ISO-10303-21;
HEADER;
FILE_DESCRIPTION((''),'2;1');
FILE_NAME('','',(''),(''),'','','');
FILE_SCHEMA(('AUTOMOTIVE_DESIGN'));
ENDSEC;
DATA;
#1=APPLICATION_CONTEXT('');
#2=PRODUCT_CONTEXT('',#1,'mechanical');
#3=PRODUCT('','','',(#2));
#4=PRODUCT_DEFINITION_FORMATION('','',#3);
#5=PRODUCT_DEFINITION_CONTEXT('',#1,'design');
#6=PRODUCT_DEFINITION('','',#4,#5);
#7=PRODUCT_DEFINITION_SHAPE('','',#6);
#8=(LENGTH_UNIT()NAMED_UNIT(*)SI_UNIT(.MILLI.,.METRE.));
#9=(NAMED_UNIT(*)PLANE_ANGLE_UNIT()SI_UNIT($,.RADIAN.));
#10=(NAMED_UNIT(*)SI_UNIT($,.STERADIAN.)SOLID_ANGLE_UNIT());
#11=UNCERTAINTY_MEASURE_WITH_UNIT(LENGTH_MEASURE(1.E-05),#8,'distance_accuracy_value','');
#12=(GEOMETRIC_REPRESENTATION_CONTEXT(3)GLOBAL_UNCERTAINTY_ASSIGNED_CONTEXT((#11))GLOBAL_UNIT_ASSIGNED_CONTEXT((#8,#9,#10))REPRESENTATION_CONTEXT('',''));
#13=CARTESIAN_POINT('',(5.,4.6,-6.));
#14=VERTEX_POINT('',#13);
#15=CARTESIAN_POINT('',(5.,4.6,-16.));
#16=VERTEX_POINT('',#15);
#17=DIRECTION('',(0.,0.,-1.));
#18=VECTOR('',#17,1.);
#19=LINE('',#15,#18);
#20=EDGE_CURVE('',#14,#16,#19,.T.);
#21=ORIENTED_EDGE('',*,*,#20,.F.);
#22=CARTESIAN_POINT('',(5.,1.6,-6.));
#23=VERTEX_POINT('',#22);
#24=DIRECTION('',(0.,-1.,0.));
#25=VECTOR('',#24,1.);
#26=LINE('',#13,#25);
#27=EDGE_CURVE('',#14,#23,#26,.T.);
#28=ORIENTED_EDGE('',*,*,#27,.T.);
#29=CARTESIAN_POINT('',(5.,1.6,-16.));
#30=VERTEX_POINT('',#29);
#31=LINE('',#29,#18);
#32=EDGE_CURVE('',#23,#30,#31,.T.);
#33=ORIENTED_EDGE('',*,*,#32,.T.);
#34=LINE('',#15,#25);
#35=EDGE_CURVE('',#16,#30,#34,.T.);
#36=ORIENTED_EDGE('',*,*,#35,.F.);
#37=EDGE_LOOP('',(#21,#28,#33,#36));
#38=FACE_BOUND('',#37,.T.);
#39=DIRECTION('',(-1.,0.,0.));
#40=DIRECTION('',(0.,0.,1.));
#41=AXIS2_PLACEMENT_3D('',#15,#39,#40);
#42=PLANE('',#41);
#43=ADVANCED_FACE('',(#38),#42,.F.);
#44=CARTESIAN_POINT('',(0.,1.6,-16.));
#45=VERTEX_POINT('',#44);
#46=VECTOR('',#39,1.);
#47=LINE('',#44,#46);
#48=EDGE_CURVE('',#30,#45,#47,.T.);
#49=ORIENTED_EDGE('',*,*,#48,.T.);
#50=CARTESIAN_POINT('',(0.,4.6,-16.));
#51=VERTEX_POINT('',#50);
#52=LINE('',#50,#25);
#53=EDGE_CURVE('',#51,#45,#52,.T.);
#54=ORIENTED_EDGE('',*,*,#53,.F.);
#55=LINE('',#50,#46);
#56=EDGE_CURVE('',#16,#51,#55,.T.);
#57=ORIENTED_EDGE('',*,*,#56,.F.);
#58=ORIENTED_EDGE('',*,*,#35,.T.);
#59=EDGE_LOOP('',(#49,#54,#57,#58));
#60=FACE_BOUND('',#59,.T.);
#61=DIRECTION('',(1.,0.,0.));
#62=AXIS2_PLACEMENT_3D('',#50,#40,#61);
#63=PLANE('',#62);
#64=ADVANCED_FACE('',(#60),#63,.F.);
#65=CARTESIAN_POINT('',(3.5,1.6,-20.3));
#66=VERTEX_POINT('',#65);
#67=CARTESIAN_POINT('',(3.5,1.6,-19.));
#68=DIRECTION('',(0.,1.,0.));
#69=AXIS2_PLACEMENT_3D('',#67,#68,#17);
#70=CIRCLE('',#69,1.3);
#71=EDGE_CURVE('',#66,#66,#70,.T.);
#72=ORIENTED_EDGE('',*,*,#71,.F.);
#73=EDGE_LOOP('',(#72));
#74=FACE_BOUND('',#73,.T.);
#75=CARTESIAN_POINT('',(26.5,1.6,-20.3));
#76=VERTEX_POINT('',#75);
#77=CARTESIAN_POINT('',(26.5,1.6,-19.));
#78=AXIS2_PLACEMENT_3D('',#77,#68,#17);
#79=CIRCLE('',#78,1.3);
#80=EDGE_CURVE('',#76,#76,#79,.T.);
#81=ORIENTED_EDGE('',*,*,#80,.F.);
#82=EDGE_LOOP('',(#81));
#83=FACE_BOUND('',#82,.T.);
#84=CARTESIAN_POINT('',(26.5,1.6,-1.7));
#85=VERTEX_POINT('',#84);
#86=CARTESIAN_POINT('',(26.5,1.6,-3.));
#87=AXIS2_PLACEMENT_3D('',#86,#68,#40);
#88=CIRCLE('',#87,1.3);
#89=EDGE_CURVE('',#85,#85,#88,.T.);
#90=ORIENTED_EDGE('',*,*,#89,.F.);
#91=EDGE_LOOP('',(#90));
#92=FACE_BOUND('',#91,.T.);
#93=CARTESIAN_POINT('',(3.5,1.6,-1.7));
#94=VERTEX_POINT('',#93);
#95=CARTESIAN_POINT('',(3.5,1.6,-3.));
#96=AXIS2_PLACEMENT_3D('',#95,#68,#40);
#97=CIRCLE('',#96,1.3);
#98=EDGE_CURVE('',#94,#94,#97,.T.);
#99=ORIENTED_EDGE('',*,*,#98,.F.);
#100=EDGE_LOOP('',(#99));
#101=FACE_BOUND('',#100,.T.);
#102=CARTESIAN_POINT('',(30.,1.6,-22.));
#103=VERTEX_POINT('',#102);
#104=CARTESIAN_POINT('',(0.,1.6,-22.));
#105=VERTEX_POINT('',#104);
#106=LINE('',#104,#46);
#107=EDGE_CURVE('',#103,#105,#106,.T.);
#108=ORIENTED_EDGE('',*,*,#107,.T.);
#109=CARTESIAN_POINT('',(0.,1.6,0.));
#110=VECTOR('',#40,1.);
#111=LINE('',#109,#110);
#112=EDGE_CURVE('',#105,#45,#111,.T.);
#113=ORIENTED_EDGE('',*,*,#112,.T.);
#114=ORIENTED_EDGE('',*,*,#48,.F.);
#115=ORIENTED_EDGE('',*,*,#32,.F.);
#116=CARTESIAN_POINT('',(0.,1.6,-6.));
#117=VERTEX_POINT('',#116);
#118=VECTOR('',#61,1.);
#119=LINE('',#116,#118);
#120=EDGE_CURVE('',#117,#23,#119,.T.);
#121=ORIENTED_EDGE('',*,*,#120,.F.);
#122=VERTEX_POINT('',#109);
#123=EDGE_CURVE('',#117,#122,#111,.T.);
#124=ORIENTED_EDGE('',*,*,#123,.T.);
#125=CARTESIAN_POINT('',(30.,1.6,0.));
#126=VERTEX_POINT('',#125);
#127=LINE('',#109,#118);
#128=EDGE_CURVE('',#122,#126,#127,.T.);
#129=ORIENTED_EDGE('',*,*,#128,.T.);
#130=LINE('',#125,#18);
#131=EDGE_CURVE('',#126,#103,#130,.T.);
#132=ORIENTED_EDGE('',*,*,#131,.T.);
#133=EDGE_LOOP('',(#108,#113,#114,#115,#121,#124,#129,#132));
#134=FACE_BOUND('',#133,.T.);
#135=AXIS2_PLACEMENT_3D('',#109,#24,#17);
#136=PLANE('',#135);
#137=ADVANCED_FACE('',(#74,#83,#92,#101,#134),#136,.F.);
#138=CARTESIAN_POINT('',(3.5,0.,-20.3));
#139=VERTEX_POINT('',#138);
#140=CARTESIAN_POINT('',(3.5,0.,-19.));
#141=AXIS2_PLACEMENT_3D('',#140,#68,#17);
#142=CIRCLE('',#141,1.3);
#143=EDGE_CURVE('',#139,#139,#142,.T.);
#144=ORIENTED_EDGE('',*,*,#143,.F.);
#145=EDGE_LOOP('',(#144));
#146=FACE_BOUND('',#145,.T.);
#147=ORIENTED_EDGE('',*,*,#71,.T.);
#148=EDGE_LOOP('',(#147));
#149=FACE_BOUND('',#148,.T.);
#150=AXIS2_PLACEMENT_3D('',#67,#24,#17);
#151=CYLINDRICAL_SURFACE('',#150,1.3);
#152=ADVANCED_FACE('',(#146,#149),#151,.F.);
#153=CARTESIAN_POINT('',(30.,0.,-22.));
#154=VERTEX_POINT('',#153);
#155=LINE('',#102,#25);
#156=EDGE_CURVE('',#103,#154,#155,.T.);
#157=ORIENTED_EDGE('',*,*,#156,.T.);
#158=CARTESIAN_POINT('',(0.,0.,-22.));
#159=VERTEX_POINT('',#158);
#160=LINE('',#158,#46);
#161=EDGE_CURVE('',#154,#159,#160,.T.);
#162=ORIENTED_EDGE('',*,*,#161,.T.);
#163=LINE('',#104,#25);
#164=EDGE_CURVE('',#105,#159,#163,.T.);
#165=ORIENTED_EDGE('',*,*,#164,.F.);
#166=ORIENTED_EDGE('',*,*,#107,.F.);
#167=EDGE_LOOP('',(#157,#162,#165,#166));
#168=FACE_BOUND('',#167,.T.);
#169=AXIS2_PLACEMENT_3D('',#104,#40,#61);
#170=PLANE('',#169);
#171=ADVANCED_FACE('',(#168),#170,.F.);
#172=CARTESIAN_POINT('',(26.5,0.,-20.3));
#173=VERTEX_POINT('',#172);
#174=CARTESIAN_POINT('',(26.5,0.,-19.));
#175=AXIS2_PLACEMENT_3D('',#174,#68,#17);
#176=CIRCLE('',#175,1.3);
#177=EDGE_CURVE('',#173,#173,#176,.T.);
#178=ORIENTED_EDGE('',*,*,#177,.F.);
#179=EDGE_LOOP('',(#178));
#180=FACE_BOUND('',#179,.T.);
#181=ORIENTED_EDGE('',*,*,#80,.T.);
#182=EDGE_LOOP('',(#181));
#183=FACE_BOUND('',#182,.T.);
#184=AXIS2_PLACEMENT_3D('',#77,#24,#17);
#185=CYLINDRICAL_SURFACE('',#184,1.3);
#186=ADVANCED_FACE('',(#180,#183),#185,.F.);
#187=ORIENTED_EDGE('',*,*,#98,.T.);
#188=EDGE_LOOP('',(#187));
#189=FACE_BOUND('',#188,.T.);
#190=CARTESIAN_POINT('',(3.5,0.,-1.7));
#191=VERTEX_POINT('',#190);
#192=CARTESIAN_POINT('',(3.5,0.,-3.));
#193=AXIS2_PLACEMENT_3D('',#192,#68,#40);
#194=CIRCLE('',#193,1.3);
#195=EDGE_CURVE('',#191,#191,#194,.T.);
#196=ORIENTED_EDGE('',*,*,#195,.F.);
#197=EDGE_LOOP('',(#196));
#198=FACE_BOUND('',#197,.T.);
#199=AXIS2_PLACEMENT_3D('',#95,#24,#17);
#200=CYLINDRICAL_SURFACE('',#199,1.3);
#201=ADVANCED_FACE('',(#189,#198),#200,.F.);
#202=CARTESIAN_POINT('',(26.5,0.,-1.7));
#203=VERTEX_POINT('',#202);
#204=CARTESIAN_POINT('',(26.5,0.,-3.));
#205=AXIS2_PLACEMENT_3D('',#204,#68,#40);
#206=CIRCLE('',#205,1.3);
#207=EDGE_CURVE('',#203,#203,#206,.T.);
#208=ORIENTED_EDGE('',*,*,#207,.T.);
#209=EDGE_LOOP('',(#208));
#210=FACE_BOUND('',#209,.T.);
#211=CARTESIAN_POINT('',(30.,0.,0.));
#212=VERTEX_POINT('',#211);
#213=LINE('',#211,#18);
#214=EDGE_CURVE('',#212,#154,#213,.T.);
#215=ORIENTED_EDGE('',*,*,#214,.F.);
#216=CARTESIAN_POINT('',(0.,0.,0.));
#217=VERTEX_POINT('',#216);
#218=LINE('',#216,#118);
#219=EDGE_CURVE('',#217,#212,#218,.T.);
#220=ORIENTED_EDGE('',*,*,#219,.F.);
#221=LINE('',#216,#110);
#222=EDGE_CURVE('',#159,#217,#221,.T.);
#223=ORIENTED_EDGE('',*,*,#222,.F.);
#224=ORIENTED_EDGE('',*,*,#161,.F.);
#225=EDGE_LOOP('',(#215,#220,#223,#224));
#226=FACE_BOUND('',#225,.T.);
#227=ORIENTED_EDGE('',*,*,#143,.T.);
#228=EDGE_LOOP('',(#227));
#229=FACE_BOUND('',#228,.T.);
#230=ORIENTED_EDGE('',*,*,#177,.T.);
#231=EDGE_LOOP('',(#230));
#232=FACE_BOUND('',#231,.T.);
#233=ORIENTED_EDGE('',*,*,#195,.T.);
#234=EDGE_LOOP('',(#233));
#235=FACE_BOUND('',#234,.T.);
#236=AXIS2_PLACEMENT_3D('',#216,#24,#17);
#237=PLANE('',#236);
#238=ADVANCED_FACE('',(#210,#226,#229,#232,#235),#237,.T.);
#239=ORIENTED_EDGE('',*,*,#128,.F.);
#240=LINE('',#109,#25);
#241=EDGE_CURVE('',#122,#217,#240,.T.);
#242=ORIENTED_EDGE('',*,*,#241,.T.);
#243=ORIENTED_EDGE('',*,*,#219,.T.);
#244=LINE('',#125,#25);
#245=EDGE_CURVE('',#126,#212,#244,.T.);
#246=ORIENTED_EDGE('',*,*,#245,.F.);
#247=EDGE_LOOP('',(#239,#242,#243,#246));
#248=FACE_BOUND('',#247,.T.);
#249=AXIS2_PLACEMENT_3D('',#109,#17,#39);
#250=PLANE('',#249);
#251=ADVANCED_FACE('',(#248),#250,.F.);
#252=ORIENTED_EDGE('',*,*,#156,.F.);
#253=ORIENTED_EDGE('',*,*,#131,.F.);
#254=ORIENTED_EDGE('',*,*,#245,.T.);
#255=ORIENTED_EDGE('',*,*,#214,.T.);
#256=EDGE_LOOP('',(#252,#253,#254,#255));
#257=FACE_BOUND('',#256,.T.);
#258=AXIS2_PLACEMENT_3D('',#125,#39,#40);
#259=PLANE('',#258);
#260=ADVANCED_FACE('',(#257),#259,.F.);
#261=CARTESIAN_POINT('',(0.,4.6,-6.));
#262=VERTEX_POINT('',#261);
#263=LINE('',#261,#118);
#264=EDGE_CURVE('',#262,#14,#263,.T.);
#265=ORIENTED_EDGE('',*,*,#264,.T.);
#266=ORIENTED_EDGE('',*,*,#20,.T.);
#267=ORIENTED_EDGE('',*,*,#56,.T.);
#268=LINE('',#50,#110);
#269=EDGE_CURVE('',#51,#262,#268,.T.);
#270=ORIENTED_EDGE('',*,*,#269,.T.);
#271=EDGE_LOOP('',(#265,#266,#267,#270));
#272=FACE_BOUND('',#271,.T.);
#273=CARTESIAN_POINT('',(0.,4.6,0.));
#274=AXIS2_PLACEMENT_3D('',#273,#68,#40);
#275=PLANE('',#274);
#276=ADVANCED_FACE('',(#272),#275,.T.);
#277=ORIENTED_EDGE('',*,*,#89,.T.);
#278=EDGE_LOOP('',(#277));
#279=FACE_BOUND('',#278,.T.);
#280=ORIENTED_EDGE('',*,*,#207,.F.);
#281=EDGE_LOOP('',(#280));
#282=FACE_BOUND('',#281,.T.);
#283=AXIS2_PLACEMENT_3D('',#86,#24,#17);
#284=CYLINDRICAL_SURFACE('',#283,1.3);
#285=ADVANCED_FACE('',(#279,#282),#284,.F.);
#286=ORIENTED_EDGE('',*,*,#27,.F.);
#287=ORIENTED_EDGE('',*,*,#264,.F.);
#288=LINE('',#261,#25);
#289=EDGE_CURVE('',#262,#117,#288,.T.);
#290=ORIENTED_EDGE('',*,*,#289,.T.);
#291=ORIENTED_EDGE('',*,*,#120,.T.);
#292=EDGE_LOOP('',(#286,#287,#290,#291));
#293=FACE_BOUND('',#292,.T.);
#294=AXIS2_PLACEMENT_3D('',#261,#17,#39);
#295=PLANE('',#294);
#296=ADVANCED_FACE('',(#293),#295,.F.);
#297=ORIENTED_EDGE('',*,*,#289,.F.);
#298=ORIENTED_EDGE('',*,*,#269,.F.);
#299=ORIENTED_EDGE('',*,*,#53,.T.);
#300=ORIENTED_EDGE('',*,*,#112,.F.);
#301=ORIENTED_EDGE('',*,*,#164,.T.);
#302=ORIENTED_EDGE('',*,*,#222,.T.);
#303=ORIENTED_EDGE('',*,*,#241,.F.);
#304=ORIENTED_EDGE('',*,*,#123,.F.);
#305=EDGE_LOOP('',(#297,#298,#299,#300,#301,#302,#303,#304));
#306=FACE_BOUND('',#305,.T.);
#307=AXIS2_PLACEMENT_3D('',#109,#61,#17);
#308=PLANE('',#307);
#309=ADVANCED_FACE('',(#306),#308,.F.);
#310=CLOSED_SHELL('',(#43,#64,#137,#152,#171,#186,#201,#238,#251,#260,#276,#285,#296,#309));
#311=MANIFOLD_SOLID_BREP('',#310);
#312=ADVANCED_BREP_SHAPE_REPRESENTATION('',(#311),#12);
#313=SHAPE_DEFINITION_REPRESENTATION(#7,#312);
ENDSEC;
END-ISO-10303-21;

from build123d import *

# Parameters (mm, degrees)
SKETCH_1_W      = 30
SKETCH_1_H      = 22
SKETCH_1_R      = 1.3
EXTRUDE_1_DEPTH = 1.6
SKETCH_2_W      = 5
SKETCH_2_H      = 10
EXTRUDE_2_DEPTH = 3


with BuildPart() as part:
    # 草图1 → 凸台-拉伸1 (new body)
    with BuildSketch(Plane(origin=(0, 0, 0), x_dir=(1, 0, 0), z_dir=(0, 1, 0))):
        with Locations((15, 11)):
            Rectangle(SKETCH_1_W, SKETCH_1_H)
        with Locations(Location((3.5, 3, 0), (0, 0, 270))):
            Circle(SKETCH_1_R, mode=Mode.SUBTRACT)
        with Locations(Location((26.5, 3, 0), (0, 0, 270))):
            Circle(SKETCH_1_R, mode=Mode.SUBTRACT)
        with Locations(Location((26.5, 19, 0), (0, 0, 90))):
            Circle(SKETCH_1_R, mode=Mode.SUBTRACT)
        with Locations(Location((3.5, 19, 0), (0, 0, 90))):
            Circle(SKETCH_1_R, mode=Mode.SUBTRACT)
    extrude(amount=EXTRUDE_1_DEPTH)

    # 草图2 → 凸台-拉伸2 (add)
    with BuildSketch(Plane(origin=(0, 1.6, 0), x_dir=(1, 0, 0), z_dir=(0, 1, 0))):
        with Locations((2.5, 11)):
            Rectangle(SKETCH_2_W, SKETCH_2_H)
    extrude(amount=EXTRUDE_2_DEPTH)


solid = part.part
